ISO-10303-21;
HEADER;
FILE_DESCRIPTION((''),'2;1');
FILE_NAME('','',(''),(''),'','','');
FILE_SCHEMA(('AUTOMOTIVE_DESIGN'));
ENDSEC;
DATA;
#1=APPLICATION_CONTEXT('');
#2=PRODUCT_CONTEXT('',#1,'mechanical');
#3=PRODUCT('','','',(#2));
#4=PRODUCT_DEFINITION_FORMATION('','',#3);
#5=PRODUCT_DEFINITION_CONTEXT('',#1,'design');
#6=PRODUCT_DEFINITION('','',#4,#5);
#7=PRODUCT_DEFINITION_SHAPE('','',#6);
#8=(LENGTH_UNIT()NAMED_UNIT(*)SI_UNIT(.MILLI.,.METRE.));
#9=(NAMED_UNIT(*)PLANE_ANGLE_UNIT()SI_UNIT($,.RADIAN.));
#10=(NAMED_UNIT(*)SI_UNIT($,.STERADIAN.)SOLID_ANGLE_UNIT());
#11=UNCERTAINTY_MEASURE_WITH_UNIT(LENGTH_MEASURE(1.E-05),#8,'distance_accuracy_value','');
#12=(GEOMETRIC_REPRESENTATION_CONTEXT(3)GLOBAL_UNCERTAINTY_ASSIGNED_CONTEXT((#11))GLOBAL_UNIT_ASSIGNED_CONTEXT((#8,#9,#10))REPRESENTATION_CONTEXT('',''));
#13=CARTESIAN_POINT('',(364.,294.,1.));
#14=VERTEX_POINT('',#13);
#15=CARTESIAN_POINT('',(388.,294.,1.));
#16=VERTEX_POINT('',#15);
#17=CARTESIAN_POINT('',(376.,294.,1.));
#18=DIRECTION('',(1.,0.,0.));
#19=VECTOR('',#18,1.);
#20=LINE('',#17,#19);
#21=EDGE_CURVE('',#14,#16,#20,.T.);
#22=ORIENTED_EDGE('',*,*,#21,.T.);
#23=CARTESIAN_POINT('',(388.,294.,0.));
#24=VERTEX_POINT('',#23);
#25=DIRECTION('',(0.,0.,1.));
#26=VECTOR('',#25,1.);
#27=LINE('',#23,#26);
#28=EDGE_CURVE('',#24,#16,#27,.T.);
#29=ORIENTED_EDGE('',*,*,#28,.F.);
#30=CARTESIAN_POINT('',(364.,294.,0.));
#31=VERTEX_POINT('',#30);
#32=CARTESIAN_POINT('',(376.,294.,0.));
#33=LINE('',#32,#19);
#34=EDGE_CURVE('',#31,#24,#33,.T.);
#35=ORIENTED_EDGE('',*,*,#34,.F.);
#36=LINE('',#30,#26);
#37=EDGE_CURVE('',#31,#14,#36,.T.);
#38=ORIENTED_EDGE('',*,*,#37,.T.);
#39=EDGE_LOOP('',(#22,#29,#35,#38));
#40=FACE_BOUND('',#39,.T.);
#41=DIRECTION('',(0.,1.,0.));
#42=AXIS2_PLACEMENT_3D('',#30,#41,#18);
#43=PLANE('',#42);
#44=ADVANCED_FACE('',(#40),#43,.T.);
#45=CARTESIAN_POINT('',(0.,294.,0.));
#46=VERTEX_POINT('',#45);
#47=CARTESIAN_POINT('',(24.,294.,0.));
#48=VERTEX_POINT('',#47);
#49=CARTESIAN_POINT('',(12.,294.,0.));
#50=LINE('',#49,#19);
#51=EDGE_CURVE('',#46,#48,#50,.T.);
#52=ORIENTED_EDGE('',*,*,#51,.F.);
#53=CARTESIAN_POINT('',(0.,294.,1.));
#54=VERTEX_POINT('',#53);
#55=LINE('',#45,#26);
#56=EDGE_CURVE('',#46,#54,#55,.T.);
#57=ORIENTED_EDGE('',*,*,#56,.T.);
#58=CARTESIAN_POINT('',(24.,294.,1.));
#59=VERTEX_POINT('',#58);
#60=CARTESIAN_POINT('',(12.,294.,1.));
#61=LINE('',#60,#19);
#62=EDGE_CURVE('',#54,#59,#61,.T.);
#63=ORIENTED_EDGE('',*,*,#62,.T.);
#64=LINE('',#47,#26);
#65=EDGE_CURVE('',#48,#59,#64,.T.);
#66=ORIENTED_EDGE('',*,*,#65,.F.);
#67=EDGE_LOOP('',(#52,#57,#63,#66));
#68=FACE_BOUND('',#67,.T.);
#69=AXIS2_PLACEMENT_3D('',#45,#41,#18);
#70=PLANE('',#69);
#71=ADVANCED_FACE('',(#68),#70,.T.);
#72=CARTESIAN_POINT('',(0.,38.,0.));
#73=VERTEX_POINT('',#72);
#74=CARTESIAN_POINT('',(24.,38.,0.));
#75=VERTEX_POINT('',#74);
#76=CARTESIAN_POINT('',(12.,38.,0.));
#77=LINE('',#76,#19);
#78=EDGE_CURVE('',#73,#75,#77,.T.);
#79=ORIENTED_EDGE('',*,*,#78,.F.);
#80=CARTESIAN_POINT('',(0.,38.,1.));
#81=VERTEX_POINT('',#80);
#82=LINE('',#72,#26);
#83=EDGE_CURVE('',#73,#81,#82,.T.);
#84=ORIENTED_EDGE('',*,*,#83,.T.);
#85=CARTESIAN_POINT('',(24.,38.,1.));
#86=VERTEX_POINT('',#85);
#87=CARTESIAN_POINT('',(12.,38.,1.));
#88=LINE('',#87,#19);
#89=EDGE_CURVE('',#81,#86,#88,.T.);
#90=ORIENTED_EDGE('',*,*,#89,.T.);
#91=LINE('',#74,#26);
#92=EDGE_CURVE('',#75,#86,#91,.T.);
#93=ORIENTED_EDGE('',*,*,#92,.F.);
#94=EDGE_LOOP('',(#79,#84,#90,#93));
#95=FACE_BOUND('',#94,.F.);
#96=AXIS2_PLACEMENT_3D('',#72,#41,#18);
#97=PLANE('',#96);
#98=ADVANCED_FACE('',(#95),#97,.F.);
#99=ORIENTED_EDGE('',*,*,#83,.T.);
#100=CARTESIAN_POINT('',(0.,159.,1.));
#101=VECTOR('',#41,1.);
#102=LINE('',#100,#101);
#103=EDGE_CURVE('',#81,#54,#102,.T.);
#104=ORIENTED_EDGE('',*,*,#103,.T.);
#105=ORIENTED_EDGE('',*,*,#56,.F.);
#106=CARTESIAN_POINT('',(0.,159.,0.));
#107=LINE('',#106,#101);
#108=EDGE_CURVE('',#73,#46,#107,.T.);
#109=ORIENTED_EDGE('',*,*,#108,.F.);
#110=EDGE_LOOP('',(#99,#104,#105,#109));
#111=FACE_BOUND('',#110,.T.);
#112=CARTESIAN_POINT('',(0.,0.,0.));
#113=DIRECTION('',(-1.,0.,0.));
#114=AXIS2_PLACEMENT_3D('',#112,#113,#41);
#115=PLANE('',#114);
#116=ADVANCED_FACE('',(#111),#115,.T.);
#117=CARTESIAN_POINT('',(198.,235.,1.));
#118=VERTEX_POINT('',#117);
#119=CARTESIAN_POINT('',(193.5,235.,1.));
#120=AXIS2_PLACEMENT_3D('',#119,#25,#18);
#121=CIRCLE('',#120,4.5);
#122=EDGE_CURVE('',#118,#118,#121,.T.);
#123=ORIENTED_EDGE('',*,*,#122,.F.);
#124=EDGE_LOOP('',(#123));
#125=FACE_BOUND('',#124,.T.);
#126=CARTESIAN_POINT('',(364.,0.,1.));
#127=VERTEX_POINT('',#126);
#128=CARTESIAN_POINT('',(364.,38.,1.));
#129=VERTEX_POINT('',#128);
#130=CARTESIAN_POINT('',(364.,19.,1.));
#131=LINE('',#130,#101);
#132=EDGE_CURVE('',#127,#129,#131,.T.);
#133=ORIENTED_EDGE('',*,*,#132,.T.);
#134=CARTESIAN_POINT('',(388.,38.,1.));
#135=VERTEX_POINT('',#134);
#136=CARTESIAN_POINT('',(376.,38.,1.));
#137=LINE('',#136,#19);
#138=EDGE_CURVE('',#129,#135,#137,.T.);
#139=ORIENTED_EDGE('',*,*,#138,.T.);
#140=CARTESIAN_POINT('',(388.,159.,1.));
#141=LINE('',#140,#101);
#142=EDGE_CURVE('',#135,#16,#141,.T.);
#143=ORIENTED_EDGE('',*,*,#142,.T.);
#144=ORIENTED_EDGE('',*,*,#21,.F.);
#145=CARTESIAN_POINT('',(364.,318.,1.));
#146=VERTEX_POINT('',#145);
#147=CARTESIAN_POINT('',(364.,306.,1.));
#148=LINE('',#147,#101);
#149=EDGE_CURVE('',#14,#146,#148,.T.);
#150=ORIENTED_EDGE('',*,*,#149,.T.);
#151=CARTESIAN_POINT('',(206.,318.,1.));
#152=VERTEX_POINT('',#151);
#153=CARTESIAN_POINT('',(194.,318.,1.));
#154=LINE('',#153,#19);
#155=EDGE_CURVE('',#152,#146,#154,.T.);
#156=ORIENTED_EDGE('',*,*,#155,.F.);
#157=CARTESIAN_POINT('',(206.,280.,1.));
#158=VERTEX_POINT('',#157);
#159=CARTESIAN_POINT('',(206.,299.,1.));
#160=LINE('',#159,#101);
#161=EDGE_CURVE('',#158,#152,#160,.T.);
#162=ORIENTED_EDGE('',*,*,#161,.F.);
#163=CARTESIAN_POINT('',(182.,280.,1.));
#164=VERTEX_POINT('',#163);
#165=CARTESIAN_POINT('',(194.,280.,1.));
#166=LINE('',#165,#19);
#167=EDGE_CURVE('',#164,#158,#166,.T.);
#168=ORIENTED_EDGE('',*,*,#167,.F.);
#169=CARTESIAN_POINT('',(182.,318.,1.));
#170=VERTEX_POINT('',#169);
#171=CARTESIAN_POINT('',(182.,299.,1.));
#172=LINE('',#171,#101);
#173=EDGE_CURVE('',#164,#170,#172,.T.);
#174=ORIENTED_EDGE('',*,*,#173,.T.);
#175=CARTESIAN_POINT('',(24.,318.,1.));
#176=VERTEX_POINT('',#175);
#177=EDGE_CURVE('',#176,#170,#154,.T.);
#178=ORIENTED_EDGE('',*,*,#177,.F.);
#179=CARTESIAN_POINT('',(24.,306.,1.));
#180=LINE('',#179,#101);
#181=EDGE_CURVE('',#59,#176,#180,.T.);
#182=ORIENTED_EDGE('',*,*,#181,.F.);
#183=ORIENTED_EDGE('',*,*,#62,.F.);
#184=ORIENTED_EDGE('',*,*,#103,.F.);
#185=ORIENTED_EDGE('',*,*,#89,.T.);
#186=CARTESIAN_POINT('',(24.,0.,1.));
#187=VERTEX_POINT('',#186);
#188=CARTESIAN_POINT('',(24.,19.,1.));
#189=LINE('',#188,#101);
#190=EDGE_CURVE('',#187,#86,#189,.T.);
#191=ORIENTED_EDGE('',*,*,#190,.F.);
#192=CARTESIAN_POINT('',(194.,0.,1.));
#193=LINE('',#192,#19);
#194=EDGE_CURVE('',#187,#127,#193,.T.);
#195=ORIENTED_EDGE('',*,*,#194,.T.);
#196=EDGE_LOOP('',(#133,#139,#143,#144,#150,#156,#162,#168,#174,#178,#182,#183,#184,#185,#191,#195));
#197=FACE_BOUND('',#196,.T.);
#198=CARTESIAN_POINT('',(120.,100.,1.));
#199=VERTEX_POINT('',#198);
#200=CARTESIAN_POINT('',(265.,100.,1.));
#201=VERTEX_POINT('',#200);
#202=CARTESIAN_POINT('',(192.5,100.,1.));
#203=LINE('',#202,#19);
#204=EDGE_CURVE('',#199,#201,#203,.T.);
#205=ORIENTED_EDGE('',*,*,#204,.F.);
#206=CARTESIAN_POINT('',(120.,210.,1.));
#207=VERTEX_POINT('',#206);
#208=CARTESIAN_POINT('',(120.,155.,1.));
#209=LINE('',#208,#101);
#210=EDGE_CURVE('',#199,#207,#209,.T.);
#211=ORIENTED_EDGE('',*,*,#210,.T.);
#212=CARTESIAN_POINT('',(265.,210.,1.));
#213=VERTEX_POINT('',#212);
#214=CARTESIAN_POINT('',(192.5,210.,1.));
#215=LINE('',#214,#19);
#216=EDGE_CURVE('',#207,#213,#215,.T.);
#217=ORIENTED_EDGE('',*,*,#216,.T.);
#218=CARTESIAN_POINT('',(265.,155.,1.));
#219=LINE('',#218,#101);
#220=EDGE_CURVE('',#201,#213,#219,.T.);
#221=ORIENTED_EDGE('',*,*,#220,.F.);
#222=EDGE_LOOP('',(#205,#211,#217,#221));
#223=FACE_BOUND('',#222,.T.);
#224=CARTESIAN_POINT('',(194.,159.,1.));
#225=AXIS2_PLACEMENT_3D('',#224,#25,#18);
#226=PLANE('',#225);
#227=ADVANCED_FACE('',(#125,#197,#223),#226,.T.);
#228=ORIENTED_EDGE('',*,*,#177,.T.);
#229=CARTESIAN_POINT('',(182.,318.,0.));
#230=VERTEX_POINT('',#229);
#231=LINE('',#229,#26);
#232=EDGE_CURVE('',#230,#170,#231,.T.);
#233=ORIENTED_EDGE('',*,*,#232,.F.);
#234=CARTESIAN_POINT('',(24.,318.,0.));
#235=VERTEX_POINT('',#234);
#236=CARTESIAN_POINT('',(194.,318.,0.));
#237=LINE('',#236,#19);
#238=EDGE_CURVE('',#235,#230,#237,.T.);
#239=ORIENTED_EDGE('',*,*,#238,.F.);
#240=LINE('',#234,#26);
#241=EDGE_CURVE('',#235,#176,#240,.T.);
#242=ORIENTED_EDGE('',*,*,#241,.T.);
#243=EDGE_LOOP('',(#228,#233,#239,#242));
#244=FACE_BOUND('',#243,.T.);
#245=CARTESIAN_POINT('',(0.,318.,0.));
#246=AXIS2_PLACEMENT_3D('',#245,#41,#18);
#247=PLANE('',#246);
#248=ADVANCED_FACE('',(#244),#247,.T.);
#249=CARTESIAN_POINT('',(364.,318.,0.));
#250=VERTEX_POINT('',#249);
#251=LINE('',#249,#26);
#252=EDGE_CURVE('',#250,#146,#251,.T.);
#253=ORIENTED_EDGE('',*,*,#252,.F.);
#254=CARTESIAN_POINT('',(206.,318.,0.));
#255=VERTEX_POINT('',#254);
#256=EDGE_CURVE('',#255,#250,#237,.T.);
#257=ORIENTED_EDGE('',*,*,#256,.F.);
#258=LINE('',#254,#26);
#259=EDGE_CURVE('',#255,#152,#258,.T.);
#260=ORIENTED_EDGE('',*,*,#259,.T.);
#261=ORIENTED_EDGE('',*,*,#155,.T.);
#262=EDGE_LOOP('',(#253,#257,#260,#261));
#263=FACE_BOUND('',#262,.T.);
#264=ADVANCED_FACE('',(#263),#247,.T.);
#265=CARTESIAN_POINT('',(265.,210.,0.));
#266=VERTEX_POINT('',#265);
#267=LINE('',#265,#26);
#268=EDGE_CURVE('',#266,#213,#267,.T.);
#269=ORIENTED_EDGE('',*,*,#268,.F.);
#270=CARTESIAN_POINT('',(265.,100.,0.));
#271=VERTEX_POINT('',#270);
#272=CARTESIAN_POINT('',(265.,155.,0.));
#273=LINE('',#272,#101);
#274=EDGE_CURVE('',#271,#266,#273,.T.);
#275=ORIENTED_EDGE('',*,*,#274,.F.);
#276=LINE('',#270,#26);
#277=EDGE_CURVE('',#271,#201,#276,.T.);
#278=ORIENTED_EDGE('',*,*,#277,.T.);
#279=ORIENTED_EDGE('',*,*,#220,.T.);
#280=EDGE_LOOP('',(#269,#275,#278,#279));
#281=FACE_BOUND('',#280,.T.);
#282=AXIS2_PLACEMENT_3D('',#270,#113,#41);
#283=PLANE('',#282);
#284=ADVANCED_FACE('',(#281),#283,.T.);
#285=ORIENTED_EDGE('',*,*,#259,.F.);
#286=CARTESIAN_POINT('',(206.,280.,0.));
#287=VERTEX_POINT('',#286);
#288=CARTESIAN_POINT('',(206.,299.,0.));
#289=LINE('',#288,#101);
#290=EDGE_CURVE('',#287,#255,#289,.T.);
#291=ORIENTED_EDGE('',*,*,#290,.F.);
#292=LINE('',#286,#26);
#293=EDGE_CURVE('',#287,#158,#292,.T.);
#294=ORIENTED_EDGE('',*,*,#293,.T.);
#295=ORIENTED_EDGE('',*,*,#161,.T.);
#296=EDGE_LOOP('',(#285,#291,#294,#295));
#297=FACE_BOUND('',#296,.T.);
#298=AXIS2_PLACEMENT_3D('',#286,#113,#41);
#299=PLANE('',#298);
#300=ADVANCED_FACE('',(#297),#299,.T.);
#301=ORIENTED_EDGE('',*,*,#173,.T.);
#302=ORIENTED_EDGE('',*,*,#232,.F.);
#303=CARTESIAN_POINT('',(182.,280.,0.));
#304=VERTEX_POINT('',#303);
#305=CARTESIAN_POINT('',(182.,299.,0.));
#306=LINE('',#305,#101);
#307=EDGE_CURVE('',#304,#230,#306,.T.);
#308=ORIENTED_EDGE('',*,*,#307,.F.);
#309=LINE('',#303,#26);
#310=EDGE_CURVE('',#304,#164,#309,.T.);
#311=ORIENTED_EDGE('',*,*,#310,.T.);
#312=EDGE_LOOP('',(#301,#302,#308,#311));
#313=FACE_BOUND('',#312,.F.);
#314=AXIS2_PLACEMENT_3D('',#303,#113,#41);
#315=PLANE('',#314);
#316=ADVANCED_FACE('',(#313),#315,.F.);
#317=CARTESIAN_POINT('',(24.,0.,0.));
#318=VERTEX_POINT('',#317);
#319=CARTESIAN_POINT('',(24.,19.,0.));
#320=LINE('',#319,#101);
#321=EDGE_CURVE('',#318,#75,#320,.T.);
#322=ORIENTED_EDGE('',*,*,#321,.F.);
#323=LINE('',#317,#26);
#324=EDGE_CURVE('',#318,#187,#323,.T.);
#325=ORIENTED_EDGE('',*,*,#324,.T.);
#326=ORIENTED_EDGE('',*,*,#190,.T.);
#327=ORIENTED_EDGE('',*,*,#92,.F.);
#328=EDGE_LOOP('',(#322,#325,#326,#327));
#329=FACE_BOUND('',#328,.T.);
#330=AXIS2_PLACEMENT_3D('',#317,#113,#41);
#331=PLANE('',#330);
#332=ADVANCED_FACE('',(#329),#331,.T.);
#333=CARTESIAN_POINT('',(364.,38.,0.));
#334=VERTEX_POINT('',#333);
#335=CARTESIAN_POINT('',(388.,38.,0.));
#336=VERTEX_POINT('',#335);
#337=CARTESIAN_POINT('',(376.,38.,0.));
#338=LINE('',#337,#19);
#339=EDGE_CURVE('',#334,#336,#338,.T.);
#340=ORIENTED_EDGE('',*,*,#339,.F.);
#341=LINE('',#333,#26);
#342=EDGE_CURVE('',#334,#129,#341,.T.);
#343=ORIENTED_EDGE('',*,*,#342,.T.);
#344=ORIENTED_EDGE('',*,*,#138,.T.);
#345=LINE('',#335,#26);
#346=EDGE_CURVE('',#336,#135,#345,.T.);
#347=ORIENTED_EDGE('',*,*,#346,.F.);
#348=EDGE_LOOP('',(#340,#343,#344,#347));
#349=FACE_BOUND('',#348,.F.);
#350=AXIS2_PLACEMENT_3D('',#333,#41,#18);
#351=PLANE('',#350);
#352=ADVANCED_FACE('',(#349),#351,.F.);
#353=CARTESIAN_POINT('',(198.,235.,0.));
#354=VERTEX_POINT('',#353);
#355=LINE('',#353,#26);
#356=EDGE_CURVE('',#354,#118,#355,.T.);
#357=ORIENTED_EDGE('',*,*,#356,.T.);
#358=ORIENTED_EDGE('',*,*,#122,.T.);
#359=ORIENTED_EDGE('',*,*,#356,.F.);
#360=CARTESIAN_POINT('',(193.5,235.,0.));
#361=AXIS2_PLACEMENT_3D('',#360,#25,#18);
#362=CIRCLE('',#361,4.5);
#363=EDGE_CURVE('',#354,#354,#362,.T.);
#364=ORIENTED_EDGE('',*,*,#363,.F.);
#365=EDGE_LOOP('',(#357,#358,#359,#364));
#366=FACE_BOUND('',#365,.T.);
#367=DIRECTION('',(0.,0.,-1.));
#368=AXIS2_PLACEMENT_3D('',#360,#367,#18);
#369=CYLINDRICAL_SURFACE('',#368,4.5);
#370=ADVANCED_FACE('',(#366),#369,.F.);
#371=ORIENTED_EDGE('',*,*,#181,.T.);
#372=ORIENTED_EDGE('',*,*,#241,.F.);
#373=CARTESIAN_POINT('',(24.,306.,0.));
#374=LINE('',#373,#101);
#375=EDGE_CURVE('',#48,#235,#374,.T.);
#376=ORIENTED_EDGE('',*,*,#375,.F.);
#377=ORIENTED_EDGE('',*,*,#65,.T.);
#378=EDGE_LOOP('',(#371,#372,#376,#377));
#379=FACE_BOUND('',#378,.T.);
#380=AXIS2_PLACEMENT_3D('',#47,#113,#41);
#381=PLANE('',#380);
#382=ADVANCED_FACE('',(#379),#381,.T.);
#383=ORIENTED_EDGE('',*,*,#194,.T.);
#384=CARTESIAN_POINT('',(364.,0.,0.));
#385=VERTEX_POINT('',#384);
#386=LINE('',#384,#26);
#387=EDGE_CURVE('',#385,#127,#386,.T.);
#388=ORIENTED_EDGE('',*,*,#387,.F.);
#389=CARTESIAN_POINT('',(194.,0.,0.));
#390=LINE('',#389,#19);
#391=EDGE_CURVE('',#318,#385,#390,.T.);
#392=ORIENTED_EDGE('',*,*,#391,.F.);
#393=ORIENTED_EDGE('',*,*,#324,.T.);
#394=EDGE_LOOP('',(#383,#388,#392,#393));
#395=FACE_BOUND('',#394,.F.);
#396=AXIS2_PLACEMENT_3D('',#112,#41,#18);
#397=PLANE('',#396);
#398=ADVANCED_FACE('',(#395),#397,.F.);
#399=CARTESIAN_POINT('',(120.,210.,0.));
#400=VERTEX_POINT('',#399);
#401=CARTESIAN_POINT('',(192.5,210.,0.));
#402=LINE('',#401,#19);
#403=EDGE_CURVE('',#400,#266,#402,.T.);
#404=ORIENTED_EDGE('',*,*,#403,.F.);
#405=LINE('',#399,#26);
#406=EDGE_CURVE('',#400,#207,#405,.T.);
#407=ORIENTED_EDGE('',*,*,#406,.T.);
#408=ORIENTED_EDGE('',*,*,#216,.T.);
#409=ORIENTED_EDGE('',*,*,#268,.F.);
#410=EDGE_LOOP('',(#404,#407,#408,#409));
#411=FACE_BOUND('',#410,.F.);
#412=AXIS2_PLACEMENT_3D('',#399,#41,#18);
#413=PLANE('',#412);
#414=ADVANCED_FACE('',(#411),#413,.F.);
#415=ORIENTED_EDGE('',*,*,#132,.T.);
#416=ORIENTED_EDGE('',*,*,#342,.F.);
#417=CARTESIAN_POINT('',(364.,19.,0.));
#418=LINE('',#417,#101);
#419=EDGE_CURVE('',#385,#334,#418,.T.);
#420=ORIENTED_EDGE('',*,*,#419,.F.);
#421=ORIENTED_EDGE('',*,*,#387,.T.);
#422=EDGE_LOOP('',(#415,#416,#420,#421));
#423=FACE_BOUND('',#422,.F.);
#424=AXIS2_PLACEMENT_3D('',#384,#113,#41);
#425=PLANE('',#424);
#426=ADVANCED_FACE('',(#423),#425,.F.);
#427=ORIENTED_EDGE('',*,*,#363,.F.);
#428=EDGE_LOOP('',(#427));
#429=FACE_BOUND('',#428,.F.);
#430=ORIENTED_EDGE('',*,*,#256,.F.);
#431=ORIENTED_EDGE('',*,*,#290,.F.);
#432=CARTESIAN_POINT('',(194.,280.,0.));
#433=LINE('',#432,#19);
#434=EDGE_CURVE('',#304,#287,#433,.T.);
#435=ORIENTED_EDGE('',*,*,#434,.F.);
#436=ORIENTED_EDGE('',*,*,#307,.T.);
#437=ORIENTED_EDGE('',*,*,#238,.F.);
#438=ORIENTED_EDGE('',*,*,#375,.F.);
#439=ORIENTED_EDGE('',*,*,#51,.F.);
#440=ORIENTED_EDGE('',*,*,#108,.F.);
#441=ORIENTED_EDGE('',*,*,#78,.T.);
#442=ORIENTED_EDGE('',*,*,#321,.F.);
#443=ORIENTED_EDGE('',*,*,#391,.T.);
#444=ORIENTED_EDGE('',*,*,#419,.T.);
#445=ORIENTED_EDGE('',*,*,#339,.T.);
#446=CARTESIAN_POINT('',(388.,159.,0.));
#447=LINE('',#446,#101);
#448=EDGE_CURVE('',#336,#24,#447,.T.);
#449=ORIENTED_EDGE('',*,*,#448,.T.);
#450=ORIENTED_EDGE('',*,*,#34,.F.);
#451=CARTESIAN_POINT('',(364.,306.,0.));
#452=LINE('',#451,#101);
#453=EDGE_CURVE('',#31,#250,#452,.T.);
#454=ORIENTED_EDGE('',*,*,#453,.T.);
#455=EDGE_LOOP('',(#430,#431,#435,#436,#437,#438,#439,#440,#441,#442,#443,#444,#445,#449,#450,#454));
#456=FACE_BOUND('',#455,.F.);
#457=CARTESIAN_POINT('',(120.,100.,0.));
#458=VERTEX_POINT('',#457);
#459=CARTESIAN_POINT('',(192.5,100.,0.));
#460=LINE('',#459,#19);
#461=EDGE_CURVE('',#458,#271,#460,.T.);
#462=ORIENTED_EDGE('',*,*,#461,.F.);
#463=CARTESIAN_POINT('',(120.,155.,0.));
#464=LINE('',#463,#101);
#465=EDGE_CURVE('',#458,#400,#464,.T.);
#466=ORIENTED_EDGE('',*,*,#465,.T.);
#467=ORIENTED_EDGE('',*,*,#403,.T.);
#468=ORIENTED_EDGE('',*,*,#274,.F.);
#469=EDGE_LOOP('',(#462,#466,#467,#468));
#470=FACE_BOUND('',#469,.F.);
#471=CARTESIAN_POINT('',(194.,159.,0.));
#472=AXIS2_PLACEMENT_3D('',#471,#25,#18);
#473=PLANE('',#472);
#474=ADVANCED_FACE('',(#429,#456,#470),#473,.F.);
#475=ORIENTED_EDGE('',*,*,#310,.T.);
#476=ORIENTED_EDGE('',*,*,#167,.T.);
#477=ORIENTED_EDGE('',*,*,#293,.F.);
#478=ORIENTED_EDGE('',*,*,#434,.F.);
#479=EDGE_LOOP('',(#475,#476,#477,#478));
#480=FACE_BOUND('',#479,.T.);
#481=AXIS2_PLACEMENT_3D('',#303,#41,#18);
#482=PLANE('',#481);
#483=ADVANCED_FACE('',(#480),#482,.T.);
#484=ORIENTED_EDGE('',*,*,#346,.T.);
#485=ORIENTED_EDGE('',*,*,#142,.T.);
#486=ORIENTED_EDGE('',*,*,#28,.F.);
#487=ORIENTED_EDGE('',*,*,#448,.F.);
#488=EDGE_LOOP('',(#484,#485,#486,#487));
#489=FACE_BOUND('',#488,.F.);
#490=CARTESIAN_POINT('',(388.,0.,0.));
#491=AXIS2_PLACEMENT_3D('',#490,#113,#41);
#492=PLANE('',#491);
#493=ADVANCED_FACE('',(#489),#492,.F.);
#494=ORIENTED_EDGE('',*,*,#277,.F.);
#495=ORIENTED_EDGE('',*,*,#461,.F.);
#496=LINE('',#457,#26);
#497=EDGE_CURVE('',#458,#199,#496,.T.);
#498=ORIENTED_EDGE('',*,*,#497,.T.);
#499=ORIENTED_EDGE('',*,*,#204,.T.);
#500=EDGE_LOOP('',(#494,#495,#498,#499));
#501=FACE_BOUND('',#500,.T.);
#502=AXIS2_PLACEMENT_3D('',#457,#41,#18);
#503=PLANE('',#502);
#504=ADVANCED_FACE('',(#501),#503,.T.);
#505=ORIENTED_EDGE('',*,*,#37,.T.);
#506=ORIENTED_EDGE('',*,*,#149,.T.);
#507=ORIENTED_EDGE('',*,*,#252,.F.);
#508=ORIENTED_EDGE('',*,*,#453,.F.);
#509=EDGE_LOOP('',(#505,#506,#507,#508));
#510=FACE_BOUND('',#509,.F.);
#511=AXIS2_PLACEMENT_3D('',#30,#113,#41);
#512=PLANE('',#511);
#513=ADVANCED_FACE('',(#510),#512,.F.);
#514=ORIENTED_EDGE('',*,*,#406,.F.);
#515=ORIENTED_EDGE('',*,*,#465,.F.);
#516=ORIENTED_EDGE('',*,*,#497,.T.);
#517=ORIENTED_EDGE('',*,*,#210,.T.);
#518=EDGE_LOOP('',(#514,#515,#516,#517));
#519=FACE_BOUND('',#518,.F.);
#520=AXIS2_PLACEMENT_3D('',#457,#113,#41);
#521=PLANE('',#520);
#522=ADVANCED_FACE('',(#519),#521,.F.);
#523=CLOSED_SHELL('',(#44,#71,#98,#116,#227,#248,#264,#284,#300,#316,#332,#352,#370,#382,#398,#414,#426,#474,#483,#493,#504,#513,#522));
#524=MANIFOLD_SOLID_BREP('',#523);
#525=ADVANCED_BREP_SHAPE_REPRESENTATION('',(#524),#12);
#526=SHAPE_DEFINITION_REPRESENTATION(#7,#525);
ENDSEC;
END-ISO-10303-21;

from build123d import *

# Parameters (mm, degrees)
BOX005_W       = 145
BOX005_H       = 110
BOX005_DEPTH   = 1
BOX006_W       = 24
BOX006_H       = 38
BOX006_DEPTH   = 1
CYLINDER_R     = 4.5
CYLINDER_DEPTH = 1
BOX002_W       = 24
BOX002_H       = 38
BOX002_DEPTH   = 1
BOX003_W       = 24
BOX003_H       = 24
BOX003_DEPTH   = 1
BOX004_W       = 24
BOX004_H       = 24
BOX004_DEPTH   = 1
BOX001_W       = 24
BOX001_H       = 38
BOX001_DEPTH   = 1
BOX_W          = 388
BOX_H          = 318
BOX_DEPTH      = 1


with BuildPart() as hueco_central:
    # Box005 → Box005 (new body)
    with BuildSketch(Plane(origin=(120, 100, 0), x_dir=(1, 0, 0), z_dir=(0, 0, 1))):
        with Locations((72.5, 55)):
            Rectangle(BOX005_W, BOX005_H)
    extrude(amount=BOX005_DEPTH)


with BuildPart() as cubo005:
    # Box006 → Box006 (new body)
    with BuildSketch(Plane(origin=(182, 280, 0), x_dir=(1, 0, 0), z_dir=(0, 0, 1))):
        with Locations((12, 19)):
            Rectangle(BOX006_W, BOX006_H)
    extrude(amount=BOX006_DEPTH)


with BuildPart() as cilindro:
    # Cylinder → Cylinder (new body)
    with BuildSketch(Plane(origin=(193.5, 235, 0), x_dir=(1, 0, 0), z_dir=(0, 0, 1))):
        Circle(CYLINDER_R)
    extrude(amount=CYLINDER_DEPTH)


with BuildPart() as cubo002:
    # Box002 → Box002 (new body)
    with BuildSketch(Plane(origin=(364, 0, 0), x_dir=(1, 0, 0), z_dir=(0, 0, 1))):
        with Locations((12, 19)):
            Rectangle(BOX002_W, BOX002_H)
    extrude(amount=BOX002_DEPTH)


with BuildPart() as cubo003:
    # Box003 → Box003 (new body)
    with BuildSketch(Plane(origin=(0, 294, 0), x_dir=(1, 0, 0), z_dir=(0, 0, 1))):
        with Locations((12, 12)):
            Rectangle(BOX003_W, BOX003_H)
    extrude(amount=BOX003_DEPTH)


with BuildPart() as cubo004:
    # Box004 → Box004 (new body)
    with BuildSketch(Plane(origin=(364, 294, 0), x_dir=(1, 0, 0), z_dir=(0, 0, 1))):
        with Locations((12, 12)):
            Rectangle(BOX004_W, BOX004_H)
    extrude(amount=BOX004_DEPTH)


with BuildPart() as cortes:
    # Box001 → Box001 (new body)
    with BuildSketch(Plane.XY):
        with Locations((12, 19)):
            Rectangle(BOX001_W, BOX001_H)
    extrude(amount=BOX001_DEPTH)

    # Fusion: union Cubo002, Cubo003, Cubo004
    add(cubo002.part)
    add(cubo003.part)
    add(cubo004.part)

    # Fusion001: union hueco central, Cubo005, Cilindro
    add(hueco_central.part)
    add(cubo005.part)
    add(cilindro.part)


with BuildPart() as cut:
    # Box → Box (new body)
    with BuildSketch(Plane.XY):
        with Locations((194, 159)):
            Rectangle(BOX_W, BOX_H)
    extrude(amount=BOX_DEPTH)

    # Cut: cut cortes
    add(cortes.part, mode=Mode.SUBTRACT)


solid = cut.part
